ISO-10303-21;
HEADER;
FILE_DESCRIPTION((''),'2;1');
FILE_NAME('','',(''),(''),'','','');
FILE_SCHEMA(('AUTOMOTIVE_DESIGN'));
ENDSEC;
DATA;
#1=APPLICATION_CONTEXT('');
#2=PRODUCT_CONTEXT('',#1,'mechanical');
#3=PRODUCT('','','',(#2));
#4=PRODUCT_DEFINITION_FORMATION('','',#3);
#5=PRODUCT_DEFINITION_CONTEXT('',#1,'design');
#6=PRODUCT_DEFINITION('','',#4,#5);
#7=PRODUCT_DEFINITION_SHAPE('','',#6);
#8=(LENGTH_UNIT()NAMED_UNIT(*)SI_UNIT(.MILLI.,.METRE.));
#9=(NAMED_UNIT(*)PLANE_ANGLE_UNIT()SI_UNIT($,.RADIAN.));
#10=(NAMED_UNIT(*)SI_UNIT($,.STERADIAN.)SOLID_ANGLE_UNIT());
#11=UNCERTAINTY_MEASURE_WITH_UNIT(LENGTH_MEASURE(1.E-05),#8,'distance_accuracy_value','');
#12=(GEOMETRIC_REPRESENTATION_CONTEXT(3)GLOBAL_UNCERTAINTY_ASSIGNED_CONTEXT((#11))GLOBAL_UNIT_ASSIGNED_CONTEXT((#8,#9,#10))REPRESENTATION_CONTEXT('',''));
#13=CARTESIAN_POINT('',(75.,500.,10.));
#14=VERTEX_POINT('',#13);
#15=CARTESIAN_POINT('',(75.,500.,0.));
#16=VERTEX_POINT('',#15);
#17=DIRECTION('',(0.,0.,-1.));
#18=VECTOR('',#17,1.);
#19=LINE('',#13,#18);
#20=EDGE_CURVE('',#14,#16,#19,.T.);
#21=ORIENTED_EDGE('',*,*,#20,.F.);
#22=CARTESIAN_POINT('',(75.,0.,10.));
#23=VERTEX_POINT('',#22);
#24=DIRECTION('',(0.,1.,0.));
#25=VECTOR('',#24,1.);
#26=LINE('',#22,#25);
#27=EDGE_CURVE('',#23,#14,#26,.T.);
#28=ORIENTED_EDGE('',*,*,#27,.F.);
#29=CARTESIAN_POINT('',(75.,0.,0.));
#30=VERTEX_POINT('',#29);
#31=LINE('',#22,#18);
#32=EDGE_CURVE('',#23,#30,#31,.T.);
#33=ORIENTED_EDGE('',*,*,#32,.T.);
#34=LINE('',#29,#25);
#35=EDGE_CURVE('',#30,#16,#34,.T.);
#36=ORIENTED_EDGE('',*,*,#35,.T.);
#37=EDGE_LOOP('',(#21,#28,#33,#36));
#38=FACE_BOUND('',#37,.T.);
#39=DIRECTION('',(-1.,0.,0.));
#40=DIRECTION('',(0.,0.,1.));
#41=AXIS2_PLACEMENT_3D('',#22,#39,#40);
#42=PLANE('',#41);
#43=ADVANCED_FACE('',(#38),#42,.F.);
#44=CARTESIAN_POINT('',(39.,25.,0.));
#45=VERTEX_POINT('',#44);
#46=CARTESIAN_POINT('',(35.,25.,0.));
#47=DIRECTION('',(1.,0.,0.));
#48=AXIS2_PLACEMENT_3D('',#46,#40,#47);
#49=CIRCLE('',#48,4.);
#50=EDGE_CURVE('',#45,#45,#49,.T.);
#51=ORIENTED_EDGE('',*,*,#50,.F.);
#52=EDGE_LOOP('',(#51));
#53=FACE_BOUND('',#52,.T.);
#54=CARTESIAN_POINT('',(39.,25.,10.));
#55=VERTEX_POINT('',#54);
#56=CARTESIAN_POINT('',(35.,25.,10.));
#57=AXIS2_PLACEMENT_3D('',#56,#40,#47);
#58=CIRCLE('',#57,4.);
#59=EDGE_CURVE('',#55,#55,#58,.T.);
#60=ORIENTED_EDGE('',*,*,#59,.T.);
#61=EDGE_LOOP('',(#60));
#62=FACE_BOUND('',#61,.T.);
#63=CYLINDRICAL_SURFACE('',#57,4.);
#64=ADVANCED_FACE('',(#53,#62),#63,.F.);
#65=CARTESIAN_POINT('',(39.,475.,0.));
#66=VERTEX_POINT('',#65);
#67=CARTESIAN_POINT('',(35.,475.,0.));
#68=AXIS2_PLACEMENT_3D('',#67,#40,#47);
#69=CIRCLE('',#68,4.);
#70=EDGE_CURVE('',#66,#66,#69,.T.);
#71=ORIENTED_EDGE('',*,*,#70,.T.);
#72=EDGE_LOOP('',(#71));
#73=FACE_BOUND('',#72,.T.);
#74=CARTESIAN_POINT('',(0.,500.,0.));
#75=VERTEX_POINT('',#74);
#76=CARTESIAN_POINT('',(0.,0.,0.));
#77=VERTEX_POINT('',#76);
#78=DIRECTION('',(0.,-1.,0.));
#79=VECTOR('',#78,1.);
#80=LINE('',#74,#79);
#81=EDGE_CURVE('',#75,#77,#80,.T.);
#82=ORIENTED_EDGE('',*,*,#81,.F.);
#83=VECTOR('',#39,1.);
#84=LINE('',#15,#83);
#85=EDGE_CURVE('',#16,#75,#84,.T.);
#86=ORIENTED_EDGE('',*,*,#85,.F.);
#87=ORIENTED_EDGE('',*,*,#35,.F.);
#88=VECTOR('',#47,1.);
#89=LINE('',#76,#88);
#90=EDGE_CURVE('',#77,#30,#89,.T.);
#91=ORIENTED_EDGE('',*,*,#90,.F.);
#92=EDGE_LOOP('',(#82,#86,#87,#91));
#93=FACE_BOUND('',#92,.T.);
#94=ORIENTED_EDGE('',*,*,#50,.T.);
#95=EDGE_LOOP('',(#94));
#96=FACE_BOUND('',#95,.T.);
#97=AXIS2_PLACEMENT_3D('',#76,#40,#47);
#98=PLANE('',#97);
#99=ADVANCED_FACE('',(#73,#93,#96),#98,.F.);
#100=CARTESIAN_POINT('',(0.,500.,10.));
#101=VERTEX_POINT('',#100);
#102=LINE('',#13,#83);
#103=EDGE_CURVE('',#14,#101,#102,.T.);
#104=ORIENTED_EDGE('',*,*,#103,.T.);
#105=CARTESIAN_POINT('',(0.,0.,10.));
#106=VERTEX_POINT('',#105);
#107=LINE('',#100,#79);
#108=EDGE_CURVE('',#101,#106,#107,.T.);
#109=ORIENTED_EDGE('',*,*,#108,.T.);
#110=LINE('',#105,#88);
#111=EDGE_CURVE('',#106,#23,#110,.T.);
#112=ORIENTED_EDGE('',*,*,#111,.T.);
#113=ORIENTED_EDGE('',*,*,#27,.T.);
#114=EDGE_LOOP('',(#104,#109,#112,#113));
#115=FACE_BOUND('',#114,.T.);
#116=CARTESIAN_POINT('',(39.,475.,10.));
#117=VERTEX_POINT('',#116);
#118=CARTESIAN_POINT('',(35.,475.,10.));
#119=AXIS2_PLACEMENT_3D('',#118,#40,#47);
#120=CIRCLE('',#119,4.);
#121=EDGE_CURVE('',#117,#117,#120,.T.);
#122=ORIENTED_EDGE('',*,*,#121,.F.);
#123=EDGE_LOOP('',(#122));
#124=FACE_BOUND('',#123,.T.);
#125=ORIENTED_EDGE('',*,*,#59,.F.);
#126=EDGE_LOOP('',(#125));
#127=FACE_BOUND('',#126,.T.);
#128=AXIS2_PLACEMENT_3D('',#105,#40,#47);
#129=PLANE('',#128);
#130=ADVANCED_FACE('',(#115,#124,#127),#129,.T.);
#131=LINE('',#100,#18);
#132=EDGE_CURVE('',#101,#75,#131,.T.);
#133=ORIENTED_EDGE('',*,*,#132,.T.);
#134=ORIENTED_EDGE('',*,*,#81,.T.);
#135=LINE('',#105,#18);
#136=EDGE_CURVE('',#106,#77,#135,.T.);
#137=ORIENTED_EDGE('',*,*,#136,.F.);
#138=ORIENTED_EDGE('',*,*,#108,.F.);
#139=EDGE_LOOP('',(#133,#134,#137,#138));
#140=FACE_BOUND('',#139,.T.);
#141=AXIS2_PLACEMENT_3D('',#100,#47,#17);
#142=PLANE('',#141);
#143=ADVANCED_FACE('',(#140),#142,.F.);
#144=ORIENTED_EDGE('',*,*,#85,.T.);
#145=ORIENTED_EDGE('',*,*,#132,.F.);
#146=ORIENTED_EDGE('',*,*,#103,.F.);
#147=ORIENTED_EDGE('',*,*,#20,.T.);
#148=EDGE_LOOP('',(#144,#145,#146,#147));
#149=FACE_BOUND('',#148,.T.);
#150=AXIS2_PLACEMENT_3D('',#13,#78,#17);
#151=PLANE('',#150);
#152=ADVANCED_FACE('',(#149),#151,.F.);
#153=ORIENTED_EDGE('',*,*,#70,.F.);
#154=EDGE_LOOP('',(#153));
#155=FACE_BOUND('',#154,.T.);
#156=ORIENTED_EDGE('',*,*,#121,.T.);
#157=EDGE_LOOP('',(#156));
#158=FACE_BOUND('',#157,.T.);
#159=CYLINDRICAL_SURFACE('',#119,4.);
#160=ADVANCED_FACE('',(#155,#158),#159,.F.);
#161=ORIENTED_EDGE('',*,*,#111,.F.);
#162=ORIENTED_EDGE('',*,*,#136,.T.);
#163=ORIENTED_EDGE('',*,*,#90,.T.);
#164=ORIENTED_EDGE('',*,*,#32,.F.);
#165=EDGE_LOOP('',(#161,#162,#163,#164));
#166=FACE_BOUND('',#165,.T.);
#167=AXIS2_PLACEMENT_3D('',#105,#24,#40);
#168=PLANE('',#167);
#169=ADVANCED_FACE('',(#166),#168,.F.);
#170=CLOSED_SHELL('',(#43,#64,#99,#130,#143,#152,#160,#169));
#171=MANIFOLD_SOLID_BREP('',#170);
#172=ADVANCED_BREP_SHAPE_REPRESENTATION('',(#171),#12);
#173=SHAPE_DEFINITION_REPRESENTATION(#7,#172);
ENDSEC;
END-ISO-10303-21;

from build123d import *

# Parameters (mm, degrees)
SKETCH1_W             = 75
SKETCH1_H             = 500
BOSS_EXTRUDE1_DEPTH   = 10
F_8_0MM_DOWEL_HOLE1_D = 8


with BuildPart() as part:
    # Sketch1 → Boss-Extrude1 (new body)
    with BuildSketch(Plane.XY):
        with Locations((37.5, 250)):
            Rectangle(SKETCH1_W, SKETCH1_H)
    extrude(amount=BOSS_EXTRUDE1_DEPTH)

    # Ø8.0mm Dowel Hole1 (through all)
    with Locations(Plane.XY.offset(10)):
        with Locations((35, 25), (35, 475)):
            Hole(F_8_0MM_DOWEL_HOLE1_D / 2)


solid = part.part
